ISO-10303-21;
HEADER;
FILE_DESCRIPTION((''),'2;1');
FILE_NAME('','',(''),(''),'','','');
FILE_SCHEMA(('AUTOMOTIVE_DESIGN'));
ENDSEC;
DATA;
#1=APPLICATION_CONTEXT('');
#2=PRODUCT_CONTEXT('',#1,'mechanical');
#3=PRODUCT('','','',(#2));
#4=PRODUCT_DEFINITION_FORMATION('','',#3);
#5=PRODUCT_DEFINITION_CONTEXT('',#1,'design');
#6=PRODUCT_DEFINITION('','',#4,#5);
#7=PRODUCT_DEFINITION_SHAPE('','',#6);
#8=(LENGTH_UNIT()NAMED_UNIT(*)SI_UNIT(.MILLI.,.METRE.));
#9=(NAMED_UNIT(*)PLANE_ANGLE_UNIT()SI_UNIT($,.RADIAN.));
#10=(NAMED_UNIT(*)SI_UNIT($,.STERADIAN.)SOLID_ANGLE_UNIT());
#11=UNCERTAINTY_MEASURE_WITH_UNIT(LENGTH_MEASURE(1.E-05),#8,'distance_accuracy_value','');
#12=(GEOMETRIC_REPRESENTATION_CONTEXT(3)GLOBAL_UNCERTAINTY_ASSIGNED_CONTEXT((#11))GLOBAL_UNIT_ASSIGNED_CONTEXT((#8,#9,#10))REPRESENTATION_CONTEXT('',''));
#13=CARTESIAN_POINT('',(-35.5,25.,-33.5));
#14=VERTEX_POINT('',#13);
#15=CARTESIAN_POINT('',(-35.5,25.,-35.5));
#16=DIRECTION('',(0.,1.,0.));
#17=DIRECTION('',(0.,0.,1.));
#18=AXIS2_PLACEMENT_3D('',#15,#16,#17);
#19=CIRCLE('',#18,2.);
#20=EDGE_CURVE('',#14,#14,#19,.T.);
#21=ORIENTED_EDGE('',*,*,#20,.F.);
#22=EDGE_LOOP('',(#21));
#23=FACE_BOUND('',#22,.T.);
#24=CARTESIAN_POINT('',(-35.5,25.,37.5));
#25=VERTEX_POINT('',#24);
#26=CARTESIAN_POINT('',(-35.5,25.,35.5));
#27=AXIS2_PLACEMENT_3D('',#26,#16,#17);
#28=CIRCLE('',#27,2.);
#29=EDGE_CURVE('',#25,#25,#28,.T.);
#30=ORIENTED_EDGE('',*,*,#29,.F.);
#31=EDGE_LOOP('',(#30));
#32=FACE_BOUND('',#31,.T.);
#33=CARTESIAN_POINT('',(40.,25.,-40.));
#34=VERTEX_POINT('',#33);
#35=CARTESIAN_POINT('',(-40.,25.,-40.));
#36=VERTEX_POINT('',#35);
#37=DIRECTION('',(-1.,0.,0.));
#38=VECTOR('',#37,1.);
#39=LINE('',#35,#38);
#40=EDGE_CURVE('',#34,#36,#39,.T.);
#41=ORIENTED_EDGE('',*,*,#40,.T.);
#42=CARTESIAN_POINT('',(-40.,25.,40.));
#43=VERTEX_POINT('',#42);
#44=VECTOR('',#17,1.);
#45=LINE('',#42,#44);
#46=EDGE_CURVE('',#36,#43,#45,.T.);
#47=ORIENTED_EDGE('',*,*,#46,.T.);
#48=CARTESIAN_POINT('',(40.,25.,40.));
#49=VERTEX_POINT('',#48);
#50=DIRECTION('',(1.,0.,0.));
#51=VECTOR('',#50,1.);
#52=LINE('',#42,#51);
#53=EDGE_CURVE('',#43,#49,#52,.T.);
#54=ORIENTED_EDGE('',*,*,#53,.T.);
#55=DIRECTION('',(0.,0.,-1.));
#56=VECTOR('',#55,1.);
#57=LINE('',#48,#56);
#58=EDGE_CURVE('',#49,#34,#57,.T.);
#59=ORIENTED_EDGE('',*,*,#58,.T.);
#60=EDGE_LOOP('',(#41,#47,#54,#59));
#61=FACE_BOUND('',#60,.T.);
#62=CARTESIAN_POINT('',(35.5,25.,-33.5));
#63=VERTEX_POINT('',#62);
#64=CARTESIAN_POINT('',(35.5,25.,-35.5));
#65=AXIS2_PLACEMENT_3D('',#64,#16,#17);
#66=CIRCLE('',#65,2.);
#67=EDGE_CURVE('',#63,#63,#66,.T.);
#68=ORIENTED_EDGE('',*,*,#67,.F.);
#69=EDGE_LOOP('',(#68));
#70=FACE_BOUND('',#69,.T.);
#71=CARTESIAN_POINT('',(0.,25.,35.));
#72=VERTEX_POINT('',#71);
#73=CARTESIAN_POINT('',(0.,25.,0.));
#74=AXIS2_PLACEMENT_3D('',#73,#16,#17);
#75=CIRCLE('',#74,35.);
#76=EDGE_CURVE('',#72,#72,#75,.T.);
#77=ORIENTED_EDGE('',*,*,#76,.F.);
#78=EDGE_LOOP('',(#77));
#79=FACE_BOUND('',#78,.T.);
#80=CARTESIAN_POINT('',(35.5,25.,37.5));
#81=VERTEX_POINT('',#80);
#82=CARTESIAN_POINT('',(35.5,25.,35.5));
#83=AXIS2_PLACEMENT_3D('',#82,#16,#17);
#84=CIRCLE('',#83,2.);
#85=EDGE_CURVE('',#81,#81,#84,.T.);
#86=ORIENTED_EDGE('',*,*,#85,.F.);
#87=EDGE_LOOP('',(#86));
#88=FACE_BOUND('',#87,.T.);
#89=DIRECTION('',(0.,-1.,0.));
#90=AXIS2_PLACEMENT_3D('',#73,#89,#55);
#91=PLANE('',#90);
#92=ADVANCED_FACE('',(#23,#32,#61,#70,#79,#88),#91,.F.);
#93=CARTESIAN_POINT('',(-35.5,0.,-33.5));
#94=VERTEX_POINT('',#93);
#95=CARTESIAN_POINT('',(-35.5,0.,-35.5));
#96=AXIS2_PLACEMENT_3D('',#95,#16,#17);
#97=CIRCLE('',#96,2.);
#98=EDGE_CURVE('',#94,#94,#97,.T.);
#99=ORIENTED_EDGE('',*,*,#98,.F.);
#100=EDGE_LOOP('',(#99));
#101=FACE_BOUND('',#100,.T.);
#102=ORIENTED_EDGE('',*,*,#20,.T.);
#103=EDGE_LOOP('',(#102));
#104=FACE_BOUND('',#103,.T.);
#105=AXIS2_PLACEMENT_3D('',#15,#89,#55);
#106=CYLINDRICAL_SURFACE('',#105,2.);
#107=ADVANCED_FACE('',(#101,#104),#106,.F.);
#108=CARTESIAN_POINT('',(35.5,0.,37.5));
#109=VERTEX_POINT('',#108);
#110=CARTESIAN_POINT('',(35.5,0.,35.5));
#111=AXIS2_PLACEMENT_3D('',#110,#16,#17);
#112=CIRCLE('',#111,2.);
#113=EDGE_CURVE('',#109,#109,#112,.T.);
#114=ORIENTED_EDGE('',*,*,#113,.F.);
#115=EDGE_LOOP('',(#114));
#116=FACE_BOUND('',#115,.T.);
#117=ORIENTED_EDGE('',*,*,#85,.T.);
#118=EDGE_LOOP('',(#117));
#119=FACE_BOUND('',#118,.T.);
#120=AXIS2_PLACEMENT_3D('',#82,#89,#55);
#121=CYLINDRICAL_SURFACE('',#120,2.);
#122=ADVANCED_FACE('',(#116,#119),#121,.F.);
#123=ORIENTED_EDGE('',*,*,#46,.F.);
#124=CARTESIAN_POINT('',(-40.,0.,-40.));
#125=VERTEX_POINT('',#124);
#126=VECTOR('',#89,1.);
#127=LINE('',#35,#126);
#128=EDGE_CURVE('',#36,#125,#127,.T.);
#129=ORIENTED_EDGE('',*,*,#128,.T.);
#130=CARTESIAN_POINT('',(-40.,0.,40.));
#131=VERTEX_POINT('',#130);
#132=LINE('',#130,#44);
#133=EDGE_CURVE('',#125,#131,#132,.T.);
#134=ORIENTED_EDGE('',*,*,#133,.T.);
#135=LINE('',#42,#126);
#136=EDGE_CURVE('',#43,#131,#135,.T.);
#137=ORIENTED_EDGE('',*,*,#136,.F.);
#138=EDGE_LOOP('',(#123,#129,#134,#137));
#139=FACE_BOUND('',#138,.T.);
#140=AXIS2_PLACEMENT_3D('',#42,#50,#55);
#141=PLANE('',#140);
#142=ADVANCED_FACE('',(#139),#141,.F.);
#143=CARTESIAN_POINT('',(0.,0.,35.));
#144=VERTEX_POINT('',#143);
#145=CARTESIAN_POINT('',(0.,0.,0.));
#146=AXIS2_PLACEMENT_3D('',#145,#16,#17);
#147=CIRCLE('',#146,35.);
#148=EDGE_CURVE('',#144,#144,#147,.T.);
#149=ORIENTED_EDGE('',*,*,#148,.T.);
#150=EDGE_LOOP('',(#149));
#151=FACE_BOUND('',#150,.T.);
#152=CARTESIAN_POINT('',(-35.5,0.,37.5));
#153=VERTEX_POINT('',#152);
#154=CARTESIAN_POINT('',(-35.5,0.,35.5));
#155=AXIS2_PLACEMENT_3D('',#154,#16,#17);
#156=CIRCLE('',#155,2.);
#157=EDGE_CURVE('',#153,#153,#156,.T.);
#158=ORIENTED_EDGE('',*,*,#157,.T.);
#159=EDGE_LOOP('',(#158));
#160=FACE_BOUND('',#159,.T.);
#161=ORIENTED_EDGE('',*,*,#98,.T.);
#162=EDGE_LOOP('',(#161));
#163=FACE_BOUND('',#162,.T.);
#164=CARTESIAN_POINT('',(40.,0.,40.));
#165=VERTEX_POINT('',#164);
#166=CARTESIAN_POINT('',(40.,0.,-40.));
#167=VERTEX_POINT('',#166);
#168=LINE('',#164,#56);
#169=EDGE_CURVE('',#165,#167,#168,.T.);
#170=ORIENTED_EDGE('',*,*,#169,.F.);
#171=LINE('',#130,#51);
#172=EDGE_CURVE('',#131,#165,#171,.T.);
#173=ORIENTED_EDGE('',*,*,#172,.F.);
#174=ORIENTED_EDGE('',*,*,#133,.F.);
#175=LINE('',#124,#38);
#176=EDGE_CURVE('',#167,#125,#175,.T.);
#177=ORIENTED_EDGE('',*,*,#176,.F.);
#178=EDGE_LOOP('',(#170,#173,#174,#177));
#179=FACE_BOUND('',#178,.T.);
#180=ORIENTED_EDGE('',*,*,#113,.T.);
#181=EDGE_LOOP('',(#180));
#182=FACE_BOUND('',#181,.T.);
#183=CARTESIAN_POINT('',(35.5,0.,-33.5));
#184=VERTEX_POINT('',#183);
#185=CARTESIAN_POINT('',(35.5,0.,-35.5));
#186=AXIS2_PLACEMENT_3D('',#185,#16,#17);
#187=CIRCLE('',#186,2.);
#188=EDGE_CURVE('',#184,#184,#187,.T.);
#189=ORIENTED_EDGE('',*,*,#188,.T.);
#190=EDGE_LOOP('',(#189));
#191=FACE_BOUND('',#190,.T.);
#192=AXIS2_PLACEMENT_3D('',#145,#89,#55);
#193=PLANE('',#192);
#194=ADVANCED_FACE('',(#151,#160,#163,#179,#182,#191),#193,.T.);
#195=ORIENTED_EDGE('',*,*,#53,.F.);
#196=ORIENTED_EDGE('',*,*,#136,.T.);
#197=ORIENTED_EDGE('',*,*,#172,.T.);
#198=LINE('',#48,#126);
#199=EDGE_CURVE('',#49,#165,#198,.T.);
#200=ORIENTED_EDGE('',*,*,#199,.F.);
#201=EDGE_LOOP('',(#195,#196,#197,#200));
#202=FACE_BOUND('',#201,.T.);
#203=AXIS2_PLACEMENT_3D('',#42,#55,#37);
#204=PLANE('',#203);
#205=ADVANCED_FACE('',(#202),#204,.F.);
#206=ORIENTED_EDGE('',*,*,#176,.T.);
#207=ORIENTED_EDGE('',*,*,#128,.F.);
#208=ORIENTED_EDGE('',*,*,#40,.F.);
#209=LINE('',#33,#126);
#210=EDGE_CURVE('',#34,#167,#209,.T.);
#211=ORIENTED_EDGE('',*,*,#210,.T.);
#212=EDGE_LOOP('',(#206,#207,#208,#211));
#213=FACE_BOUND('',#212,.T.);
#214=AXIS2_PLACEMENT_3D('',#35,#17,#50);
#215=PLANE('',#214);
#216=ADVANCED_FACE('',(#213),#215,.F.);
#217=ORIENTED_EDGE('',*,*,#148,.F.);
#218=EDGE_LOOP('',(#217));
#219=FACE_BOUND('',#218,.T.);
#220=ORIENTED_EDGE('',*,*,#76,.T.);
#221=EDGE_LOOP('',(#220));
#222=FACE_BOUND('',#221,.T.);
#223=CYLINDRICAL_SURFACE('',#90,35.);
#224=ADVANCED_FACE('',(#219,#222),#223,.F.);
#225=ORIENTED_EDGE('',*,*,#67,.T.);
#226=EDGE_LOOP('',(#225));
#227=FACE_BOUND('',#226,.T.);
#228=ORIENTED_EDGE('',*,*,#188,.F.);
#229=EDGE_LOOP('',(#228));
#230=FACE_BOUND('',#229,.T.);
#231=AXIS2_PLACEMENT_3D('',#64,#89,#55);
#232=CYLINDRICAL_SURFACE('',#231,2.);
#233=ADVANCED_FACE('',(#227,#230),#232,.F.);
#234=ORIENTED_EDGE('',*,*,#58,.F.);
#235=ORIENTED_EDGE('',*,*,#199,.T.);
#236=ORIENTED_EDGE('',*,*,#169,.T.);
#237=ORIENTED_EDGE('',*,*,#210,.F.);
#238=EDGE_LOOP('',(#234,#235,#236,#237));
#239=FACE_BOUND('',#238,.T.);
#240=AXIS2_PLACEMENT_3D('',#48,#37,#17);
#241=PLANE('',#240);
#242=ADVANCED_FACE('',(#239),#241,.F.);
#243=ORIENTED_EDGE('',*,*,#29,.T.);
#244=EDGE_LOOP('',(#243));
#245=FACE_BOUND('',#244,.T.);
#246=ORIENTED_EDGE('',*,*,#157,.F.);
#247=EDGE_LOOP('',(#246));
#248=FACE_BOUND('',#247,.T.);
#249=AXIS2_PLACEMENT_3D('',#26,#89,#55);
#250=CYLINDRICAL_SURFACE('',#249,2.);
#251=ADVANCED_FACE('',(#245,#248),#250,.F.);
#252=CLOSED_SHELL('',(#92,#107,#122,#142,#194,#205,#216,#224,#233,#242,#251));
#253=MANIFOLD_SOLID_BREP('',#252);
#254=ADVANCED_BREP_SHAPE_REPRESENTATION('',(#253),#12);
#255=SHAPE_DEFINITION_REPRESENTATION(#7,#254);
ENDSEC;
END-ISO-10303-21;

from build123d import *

# Parameters (mm, degrees)
SKETCH1_W           = 80
SKETCH1_H           = 80
SKETCH1_R           = 2
SKETCH1_R_2         = 35
BOSS_EXTRUDE1_DEPTH = 25


with BuildPart() as part:
    # Sketch1 → Boss-Extrude1 (new body)
    with BuildSketch(Plane(origin=(0, 0, 0), x_dir=(1, 0, 0), z_dir=(0, 1, 0))):
        Rectangle(SKETCH1_W, SKETCH1_H)
        with Locations(Location((-35.5, 35.5, 0), (0, 0, 270))):
            Circle(SKETCH1_R, mode=Mode.SUBTRACT)
        with Locations(Location((35.5, 35.5, 0), (0, 0, 270))):
            Circle(SKETCH1_R, mode=Mode.SUBTRACT)
        with Locations(Location((35.5, -35.5, 0), (0, 0, 270))):
            Circle(SKETCH1_R, mode=Mode.SUBTRACT)
        with Locations(Location((-35.5, -35.5, 0), (0, 0, 270))):
            Circle(SKETCH1_R, mode=Mode.SUBTRACT)
        with Locations(Location((0, 0, 0), (0, 0, 270))):
            Circle(SKETCH1_R_2, mode=Mode.SUBTRACT)
    extrude(amount=BOSS_EXTRUDE1_DEPTH)


solid = part.part
